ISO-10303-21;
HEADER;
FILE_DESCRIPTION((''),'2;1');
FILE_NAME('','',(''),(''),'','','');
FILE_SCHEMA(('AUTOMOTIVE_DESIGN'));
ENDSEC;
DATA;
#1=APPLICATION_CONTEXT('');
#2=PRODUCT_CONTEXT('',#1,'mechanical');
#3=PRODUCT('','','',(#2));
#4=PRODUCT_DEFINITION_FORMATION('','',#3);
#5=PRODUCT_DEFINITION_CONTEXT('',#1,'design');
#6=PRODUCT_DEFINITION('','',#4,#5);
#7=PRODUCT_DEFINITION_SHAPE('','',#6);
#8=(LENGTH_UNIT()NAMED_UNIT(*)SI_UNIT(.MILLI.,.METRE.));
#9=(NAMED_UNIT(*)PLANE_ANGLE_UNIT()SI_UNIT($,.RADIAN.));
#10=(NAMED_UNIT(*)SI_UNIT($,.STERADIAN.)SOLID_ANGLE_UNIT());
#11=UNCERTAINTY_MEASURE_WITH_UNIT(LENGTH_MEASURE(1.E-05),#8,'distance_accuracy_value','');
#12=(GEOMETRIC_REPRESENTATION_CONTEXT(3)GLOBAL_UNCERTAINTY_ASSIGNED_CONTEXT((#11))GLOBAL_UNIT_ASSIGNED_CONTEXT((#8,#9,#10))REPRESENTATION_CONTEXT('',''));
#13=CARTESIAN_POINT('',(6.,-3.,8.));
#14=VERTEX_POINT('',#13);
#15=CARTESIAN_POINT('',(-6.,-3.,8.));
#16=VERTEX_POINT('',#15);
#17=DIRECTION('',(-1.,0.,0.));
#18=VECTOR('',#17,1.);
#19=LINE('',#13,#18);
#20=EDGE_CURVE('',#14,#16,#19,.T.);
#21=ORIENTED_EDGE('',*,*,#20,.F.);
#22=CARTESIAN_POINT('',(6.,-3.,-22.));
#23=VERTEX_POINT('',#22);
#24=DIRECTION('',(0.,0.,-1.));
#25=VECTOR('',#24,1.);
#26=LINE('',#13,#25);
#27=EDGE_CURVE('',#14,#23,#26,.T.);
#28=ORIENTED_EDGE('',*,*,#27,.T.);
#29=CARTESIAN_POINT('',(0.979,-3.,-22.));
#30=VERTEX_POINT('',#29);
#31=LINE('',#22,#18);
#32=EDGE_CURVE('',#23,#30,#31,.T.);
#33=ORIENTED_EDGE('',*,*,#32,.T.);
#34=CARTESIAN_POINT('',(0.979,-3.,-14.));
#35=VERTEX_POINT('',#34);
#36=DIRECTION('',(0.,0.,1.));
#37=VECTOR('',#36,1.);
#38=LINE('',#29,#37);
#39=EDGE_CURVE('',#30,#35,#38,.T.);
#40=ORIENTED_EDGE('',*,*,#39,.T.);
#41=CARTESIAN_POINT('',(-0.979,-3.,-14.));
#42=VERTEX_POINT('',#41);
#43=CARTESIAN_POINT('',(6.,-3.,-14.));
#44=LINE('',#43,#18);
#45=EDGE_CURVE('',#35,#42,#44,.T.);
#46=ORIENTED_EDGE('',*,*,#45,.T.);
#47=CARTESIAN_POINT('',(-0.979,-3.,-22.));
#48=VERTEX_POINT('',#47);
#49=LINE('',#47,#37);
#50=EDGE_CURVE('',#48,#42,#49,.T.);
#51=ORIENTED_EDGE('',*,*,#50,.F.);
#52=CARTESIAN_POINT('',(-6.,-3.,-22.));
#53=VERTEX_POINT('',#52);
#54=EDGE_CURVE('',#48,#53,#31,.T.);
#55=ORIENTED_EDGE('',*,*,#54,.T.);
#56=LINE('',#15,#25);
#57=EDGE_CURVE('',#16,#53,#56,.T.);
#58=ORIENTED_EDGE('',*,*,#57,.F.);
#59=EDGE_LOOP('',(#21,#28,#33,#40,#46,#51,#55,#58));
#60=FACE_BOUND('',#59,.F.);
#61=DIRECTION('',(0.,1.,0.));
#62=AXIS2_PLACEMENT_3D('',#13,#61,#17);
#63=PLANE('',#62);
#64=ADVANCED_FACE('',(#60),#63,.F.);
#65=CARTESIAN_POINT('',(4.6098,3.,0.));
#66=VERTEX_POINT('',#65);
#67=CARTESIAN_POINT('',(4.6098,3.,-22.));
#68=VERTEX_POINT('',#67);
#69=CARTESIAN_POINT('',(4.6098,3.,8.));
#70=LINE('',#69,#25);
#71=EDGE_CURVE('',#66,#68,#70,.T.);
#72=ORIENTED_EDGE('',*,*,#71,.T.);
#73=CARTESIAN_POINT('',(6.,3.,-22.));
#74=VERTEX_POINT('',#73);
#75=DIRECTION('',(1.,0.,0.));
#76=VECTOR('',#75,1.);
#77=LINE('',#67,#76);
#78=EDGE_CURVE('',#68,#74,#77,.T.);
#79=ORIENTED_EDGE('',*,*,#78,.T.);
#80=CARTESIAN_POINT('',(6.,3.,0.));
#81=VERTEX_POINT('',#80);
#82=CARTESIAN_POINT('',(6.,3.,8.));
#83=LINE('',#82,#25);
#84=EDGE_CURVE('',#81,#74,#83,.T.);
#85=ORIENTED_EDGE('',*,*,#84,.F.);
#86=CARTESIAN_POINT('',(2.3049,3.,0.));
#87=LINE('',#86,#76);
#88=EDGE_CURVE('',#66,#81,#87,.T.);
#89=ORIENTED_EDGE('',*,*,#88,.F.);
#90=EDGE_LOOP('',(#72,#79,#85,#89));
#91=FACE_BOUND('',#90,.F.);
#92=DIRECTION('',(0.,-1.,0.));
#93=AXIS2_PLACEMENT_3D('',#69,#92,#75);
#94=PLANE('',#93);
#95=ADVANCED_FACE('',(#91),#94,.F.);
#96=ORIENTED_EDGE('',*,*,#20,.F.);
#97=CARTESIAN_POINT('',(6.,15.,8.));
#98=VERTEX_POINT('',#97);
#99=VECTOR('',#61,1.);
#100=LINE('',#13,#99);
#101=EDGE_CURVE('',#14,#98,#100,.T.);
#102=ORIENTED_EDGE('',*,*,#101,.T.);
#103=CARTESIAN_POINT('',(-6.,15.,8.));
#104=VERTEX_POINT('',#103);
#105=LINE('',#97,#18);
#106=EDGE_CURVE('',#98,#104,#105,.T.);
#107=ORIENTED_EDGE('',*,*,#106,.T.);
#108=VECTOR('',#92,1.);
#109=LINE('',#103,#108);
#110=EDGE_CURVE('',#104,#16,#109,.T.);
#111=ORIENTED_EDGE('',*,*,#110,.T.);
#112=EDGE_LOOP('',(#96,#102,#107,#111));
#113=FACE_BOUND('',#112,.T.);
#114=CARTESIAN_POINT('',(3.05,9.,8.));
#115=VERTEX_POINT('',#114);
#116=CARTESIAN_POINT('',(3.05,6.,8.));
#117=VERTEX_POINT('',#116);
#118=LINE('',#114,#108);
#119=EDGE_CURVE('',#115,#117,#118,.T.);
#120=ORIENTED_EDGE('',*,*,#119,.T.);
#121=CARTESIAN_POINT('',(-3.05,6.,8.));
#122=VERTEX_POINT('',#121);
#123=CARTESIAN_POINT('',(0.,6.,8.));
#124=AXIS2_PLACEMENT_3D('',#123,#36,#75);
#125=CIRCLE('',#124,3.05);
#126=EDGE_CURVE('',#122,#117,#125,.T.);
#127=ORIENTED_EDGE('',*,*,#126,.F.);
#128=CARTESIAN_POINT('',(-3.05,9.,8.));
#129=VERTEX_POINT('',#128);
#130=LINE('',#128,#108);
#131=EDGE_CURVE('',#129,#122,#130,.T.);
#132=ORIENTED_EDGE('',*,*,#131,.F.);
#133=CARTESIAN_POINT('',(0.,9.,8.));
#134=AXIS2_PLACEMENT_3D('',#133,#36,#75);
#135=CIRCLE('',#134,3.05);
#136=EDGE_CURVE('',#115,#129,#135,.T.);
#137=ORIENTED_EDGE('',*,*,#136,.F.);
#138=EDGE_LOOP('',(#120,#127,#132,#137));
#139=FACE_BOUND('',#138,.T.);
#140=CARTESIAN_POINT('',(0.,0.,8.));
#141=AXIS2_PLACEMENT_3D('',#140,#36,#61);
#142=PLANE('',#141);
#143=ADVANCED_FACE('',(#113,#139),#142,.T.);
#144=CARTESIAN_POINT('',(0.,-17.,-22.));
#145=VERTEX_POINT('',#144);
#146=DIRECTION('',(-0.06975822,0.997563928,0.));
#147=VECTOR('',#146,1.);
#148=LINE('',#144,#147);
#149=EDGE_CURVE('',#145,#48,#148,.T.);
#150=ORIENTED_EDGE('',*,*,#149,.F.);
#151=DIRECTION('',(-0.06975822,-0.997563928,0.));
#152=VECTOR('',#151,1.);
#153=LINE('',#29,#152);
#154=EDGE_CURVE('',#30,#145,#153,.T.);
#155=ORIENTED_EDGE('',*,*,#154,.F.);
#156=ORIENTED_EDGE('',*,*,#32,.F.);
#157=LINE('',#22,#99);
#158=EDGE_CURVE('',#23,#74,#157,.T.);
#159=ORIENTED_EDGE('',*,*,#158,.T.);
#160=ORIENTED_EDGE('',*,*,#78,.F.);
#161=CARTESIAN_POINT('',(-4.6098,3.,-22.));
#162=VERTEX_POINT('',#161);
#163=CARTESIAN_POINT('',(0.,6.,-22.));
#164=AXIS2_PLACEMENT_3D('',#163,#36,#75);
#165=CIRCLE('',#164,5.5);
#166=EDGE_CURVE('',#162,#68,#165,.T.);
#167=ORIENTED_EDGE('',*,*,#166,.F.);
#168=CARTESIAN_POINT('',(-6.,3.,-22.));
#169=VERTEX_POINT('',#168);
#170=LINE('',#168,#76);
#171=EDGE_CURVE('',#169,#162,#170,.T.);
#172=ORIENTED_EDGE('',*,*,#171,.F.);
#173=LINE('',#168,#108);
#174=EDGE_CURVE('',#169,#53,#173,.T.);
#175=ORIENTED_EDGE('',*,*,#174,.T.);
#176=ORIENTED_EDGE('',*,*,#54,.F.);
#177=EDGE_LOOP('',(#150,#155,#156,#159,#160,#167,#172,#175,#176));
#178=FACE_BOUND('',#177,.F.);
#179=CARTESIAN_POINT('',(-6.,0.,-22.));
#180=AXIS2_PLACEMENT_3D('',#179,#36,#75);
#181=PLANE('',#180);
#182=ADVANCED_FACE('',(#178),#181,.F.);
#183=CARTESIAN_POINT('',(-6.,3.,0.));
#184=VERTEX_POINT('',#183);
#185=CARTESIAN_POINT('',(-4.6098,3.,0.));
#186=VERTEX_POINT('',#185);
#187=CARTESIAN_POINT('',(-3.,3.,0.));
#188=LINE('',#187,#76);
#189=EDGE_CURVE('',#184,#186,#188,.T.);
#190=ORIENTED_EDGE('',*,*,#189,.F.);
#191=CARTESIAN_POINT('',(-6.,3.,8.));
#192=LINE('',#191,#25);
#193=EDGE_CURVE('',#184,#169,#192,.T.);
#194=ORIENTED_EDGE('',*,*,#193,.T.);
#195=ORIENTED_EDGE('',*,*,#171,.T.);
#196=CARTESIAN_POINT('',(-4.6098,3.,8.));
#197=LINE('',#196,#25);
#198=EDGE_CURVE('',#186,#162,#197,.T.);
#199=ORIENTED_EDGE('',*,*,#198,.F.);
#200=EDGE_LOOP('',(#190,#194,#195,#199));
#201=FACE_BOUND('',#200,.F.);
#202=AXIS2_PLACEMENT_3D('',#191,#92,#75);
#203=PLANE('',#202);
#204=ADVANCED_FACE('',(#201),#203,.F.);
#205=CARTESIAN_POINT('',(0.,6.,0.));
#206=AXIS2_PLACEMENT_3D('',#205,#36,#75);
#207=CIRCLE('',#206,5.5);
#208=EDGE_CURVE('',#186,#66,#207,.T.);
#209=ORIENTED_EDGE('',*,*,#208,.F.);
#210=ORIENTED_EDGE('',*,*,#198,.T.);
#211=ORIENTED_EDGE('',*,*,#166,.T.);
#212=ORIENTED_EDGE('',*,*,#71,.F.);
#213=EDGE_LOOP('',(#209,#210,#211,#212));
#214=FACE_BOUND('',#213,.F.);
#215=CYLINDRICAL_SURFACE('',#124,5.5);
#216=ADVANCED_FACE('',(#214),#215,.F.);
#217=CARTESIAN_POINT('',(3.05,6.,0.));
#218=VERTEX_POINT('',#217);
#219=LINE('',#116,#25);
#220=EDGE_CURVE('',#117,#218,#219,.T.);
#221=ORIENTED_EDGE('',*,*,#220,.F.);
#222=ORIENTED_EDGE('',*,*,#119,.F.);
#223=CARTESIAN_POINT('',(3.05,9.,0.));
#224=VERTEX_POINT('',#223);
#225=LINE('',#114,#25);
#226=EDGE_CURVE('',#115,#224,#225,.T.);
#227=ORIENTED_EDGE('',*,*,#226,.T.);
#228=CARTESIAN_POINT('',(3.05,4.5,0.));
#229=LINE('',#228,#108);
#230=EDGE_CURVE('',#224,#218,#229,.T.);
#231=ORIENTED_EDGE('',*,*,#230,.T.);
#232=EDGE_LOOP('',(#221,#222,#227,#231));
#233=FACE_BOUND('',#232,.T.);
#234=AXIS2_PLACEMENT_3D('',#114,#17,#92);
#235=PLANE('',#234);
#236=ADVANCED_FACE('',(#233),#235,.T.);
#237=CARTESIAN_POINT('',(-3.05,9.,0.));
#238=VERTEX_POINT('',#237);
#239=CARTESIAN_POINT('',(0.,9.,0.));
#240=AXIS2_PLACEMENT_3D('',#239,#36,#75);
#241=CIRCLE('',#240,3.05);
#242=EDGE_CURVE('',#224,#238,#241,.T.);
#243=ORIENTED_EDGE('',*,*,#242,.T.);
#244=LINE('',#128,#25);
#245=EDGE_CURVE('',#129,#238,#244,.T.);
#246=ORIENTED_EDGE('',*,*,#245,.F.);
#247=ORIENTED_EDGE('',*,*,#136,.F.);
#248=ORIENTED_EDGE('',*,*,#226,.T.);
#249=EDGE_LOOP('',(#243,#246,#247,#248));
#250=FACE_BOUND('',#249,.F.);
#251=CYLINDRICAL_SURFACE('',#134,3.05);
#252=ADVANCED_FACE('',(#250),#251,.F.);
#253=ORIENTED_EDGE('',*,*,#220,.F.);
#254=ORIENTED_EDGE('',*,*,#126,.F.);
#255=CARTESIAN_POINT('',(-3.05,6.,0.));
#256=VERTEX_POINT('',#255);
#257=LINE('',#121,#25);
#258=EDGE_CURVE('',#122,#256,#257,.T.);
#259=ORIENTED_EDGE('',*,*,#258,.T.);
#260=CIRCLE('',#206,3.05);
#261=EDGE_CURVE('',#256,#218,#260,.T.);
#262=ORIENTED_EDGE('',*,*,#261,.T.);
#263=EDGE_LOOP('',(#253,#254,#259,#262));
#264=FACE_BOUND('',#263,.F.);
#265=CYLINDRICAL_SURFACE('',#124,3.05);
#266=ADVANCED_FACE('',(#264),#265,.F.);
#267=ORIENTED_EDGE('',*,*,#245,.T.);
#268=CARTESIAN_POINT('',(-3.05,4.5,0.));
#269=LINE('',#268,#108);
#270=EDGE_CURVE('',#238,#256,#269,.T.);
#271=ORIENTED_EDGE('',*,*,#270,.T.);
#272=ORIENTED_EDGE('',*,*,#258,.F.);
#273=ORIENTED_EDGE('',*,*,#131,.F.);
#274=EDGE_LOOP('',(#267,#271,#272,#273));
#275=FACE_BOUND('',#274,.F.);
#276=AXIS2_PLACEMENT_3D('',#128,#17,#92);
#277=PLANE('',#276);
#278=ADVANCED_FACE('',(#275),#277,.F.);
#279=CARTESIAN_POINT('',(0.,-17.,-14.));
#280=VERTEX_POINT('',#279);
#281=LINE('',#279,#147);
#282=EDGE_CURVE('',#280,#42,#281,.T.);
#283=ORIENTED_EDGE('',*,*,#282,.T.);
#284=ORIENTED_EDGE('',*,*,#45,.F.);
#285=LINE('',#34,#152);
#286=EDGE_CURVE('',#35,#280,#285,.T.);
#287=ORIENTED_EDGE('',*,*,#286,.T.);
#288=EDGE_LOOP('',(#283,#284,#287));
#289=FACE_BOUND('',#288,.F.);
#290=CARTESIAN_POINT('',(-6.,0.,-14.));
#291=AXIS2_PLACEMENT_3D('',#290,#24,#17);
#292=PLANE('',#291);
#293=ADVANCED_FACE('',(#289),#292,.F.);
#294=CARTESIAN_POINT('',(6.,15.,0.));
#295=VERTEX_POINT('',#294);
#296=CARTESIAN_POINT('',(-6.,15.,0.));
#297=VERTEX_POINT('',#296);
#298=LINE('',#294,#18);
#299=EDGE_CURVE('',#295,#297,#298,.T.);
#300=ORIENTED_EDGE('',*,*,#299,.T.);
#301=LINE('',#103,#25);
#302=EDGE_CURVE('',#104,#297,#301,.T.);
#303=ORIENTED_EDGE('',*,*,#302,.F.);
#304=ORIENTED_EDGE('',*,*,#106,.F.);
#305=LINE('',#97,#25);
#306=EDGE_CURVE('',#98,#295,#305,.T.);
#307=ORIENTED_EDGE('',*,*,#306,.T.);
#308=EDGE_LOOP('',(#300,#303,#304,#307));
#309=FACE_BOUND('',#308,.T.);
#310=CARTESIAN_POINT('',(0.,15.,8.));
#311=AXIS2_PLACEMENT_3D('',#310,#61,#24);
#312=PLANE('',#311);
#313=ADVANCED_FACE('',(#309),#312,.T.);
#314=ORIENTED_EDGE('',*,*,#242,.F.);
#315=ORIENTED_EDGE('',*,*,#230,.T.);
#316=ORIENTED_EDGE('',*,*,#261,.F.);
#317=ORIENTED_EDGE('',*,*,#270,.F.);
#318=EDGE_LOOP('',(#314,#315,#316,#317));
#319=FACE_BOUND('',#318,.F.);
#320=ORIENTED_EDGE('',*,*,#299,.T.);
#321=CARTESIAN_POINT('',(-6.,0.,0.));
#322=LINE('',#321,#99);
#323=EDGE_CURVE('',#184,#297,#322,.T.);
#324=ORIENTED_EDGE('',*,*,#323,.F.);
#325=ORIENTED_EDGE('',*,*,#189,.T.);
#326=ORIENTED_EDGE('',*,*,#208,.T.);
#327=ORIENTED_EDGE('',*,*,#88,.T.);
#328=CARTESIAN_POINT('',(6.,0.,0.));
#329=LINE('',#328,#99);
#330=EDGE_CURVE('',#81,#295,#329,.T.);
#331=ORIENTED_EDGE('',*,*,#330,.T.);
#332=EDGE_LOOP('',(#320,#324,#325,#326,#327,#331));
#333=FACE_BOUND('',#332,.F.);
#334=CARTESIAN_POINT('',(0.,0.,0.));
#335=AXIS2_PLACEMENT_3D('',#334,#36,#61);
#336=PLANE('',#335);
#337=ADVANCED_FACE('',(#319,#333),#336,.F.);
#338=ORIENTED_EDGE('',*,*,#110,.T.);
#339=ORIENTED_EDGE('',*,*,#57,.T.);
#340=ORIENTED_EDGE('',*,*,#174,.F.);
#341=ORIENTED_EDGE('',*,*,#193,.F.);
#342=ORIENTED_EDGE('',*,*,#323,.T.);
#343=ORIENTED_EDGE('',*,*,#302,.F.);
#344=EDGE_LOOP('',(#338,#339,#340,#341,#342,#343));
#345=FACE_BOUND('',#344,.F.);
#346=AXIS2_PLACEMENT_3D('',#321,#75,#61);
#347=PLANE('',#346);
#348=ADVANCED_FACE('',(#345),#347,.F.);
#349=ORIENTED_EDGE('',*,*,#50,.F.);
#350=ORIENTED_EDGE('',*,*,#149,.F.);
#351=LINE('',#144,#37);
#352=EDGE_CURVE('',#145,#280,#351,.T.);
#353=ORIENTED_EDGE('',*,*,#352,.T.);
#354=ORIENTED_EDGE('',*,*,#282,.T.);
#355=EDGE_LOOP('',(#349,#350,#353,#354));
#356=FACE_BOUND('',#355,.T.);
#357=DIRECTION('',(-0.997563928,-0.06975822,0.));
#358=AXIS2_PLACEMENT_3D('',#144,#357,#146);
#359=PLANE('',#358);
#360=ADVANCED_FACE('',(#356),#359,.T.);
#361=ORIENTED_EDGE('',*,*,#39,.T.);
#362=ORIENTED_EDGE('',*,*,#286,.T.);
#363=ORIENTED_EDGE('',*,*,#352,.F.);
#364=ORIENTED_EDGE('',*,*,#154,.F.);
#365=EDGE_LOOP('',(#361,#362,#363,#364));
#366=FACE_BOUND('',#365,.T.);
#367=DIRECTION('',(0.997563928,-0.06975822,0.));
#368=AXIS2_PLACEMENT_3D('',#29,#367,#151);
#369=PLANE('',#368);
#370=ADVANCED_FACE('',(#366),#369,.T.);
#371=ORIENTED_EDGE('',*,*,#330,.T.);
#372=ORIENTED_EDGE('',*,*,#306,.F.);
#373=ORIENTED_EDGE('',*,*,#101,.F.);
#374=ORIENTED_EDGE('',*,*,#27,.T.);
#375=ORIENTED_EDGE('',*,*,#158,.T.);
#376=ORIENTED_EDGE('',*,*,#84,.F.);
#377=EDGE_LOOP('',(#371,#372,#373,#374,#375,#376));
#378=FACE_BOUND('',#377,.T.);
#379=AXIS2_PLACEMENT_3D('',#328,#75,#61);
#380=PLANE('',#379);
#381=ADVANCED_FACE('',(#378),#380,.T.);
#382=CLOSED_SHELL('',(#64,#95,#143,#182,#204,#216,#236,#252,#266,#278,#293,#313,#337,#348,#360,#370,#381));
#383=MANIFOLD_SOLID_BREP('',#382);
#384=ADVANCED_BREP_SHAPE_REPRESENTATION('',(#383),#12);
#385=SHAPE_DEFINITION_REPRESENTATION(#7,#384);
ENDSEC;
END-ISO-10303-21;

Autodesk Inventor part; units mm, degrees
ref_plane "YZ Plane" through (0, 0, 0) normal (1, 0, 0) x (0, 1, 0)
ref_plane "XZ Plane" through (0, 0, 0) normal (0, 1, 0) x (-1, 0, 0)
ref_plane "XY Plane" through (0, 0, 0) normal (0, 0, 1) x (1, 0, 0)
sketch "Sketch1" plane through (0, 0, 0) normal (1, 0, 0) x (0, 1, 0)
  line L0 (0, 8) -> (0, 0)
  line L1 (0, 8) -> (15, 8)
  line L2 (15, 8) -> (15, 0)
  line L3 (6, 0) -> (6, 8) construction
  line L4 (0, 0) -> (15, 0)
  dimension "d38" = 6
  dimension "d40" = 8
  dimension "d59" = 15
extrude "Extrusion1" add sketch "Sketch1" along normal mid plane 12
sketch "Sketch3" plane through (6, 0, 8) normal (0, 0, 1) x (1, 0, 0)
  circle A0 centre (-6, 6) radius 3.05
  line L0 (-12, 0) -> (0, 0) projected
  line L1 (0, 15) -> (0, 0) projected
  circle A1 centre (-6, 9) radius 3.05
  line L2 (-2.95, 9) -> (-2.95, 6)
  line L3 (-9.05, 9) -> (-9.05, 6)
  point P0 (0, -6)
  dimension "d9" = 6.1
  dimension "d23" = 6
  dimension "d41" = 6
  dimension "d60" = 6.1
  dimension "d61" = 3
extrude "Extrusion3" cut sketch "Sketch3" against normal through all
sketch "Sketch8" plane through (-6, 0, 8) normal (0, 0, 1) x (1, 0, 0)
  arc A0 (2.95, 6) -> (9.05, 6) centre (6, 6) ccw construction
  circle A1 centre (6, 6) radius 5.5
  line L0 (0, 15) -> (0, 0) projected
  line L1 (0, 3) -> (1.3902, 3)
  line L2 (10.6098, 3) -> (12, 3)
  line L3 (12, 15) -> (12, 0) projected
  line L4 (12, 0) -> (12, -3)
  line L5 (12, -3) -> (0, -3)
  line L6 (0, -3) -> (0, 0)
  line L7 (0, 0) -> (12, 0) construction
  point P0 (6, 0)
  point P1 (12, 12.26)
  dimension "d47" = 11
  dimension "d48" = 6
  dimension "d49" = 3
extrude "Extrusion7" add sketch "Sketch8" against normal blind 30 contours A1 L2 L3 L4 L5 L6 L0 L1
sketch "Sketch9" plane through (-6, 0, -22) normal (0, 0, -1) x (-1, 0, 0)
  line L0 (-6.979, -3) -> (-6, -17)
  line L1 (-6, -17) -> (-5.021, -3)
  line L2 (-12, -3) -> (0, -3) projected
  line L3 (-6, -17) -> (-6, -3) construction
  point P0 (-6, 0)
  dimension "d54" = 14
  dimension "d55" = 4
  dimension "d56" = 4
extrude "Extrusion8" add sketch "Sketch9" against normal blind 8
equation "\"d56\" = d55"
properties part number "angle_pointer"
